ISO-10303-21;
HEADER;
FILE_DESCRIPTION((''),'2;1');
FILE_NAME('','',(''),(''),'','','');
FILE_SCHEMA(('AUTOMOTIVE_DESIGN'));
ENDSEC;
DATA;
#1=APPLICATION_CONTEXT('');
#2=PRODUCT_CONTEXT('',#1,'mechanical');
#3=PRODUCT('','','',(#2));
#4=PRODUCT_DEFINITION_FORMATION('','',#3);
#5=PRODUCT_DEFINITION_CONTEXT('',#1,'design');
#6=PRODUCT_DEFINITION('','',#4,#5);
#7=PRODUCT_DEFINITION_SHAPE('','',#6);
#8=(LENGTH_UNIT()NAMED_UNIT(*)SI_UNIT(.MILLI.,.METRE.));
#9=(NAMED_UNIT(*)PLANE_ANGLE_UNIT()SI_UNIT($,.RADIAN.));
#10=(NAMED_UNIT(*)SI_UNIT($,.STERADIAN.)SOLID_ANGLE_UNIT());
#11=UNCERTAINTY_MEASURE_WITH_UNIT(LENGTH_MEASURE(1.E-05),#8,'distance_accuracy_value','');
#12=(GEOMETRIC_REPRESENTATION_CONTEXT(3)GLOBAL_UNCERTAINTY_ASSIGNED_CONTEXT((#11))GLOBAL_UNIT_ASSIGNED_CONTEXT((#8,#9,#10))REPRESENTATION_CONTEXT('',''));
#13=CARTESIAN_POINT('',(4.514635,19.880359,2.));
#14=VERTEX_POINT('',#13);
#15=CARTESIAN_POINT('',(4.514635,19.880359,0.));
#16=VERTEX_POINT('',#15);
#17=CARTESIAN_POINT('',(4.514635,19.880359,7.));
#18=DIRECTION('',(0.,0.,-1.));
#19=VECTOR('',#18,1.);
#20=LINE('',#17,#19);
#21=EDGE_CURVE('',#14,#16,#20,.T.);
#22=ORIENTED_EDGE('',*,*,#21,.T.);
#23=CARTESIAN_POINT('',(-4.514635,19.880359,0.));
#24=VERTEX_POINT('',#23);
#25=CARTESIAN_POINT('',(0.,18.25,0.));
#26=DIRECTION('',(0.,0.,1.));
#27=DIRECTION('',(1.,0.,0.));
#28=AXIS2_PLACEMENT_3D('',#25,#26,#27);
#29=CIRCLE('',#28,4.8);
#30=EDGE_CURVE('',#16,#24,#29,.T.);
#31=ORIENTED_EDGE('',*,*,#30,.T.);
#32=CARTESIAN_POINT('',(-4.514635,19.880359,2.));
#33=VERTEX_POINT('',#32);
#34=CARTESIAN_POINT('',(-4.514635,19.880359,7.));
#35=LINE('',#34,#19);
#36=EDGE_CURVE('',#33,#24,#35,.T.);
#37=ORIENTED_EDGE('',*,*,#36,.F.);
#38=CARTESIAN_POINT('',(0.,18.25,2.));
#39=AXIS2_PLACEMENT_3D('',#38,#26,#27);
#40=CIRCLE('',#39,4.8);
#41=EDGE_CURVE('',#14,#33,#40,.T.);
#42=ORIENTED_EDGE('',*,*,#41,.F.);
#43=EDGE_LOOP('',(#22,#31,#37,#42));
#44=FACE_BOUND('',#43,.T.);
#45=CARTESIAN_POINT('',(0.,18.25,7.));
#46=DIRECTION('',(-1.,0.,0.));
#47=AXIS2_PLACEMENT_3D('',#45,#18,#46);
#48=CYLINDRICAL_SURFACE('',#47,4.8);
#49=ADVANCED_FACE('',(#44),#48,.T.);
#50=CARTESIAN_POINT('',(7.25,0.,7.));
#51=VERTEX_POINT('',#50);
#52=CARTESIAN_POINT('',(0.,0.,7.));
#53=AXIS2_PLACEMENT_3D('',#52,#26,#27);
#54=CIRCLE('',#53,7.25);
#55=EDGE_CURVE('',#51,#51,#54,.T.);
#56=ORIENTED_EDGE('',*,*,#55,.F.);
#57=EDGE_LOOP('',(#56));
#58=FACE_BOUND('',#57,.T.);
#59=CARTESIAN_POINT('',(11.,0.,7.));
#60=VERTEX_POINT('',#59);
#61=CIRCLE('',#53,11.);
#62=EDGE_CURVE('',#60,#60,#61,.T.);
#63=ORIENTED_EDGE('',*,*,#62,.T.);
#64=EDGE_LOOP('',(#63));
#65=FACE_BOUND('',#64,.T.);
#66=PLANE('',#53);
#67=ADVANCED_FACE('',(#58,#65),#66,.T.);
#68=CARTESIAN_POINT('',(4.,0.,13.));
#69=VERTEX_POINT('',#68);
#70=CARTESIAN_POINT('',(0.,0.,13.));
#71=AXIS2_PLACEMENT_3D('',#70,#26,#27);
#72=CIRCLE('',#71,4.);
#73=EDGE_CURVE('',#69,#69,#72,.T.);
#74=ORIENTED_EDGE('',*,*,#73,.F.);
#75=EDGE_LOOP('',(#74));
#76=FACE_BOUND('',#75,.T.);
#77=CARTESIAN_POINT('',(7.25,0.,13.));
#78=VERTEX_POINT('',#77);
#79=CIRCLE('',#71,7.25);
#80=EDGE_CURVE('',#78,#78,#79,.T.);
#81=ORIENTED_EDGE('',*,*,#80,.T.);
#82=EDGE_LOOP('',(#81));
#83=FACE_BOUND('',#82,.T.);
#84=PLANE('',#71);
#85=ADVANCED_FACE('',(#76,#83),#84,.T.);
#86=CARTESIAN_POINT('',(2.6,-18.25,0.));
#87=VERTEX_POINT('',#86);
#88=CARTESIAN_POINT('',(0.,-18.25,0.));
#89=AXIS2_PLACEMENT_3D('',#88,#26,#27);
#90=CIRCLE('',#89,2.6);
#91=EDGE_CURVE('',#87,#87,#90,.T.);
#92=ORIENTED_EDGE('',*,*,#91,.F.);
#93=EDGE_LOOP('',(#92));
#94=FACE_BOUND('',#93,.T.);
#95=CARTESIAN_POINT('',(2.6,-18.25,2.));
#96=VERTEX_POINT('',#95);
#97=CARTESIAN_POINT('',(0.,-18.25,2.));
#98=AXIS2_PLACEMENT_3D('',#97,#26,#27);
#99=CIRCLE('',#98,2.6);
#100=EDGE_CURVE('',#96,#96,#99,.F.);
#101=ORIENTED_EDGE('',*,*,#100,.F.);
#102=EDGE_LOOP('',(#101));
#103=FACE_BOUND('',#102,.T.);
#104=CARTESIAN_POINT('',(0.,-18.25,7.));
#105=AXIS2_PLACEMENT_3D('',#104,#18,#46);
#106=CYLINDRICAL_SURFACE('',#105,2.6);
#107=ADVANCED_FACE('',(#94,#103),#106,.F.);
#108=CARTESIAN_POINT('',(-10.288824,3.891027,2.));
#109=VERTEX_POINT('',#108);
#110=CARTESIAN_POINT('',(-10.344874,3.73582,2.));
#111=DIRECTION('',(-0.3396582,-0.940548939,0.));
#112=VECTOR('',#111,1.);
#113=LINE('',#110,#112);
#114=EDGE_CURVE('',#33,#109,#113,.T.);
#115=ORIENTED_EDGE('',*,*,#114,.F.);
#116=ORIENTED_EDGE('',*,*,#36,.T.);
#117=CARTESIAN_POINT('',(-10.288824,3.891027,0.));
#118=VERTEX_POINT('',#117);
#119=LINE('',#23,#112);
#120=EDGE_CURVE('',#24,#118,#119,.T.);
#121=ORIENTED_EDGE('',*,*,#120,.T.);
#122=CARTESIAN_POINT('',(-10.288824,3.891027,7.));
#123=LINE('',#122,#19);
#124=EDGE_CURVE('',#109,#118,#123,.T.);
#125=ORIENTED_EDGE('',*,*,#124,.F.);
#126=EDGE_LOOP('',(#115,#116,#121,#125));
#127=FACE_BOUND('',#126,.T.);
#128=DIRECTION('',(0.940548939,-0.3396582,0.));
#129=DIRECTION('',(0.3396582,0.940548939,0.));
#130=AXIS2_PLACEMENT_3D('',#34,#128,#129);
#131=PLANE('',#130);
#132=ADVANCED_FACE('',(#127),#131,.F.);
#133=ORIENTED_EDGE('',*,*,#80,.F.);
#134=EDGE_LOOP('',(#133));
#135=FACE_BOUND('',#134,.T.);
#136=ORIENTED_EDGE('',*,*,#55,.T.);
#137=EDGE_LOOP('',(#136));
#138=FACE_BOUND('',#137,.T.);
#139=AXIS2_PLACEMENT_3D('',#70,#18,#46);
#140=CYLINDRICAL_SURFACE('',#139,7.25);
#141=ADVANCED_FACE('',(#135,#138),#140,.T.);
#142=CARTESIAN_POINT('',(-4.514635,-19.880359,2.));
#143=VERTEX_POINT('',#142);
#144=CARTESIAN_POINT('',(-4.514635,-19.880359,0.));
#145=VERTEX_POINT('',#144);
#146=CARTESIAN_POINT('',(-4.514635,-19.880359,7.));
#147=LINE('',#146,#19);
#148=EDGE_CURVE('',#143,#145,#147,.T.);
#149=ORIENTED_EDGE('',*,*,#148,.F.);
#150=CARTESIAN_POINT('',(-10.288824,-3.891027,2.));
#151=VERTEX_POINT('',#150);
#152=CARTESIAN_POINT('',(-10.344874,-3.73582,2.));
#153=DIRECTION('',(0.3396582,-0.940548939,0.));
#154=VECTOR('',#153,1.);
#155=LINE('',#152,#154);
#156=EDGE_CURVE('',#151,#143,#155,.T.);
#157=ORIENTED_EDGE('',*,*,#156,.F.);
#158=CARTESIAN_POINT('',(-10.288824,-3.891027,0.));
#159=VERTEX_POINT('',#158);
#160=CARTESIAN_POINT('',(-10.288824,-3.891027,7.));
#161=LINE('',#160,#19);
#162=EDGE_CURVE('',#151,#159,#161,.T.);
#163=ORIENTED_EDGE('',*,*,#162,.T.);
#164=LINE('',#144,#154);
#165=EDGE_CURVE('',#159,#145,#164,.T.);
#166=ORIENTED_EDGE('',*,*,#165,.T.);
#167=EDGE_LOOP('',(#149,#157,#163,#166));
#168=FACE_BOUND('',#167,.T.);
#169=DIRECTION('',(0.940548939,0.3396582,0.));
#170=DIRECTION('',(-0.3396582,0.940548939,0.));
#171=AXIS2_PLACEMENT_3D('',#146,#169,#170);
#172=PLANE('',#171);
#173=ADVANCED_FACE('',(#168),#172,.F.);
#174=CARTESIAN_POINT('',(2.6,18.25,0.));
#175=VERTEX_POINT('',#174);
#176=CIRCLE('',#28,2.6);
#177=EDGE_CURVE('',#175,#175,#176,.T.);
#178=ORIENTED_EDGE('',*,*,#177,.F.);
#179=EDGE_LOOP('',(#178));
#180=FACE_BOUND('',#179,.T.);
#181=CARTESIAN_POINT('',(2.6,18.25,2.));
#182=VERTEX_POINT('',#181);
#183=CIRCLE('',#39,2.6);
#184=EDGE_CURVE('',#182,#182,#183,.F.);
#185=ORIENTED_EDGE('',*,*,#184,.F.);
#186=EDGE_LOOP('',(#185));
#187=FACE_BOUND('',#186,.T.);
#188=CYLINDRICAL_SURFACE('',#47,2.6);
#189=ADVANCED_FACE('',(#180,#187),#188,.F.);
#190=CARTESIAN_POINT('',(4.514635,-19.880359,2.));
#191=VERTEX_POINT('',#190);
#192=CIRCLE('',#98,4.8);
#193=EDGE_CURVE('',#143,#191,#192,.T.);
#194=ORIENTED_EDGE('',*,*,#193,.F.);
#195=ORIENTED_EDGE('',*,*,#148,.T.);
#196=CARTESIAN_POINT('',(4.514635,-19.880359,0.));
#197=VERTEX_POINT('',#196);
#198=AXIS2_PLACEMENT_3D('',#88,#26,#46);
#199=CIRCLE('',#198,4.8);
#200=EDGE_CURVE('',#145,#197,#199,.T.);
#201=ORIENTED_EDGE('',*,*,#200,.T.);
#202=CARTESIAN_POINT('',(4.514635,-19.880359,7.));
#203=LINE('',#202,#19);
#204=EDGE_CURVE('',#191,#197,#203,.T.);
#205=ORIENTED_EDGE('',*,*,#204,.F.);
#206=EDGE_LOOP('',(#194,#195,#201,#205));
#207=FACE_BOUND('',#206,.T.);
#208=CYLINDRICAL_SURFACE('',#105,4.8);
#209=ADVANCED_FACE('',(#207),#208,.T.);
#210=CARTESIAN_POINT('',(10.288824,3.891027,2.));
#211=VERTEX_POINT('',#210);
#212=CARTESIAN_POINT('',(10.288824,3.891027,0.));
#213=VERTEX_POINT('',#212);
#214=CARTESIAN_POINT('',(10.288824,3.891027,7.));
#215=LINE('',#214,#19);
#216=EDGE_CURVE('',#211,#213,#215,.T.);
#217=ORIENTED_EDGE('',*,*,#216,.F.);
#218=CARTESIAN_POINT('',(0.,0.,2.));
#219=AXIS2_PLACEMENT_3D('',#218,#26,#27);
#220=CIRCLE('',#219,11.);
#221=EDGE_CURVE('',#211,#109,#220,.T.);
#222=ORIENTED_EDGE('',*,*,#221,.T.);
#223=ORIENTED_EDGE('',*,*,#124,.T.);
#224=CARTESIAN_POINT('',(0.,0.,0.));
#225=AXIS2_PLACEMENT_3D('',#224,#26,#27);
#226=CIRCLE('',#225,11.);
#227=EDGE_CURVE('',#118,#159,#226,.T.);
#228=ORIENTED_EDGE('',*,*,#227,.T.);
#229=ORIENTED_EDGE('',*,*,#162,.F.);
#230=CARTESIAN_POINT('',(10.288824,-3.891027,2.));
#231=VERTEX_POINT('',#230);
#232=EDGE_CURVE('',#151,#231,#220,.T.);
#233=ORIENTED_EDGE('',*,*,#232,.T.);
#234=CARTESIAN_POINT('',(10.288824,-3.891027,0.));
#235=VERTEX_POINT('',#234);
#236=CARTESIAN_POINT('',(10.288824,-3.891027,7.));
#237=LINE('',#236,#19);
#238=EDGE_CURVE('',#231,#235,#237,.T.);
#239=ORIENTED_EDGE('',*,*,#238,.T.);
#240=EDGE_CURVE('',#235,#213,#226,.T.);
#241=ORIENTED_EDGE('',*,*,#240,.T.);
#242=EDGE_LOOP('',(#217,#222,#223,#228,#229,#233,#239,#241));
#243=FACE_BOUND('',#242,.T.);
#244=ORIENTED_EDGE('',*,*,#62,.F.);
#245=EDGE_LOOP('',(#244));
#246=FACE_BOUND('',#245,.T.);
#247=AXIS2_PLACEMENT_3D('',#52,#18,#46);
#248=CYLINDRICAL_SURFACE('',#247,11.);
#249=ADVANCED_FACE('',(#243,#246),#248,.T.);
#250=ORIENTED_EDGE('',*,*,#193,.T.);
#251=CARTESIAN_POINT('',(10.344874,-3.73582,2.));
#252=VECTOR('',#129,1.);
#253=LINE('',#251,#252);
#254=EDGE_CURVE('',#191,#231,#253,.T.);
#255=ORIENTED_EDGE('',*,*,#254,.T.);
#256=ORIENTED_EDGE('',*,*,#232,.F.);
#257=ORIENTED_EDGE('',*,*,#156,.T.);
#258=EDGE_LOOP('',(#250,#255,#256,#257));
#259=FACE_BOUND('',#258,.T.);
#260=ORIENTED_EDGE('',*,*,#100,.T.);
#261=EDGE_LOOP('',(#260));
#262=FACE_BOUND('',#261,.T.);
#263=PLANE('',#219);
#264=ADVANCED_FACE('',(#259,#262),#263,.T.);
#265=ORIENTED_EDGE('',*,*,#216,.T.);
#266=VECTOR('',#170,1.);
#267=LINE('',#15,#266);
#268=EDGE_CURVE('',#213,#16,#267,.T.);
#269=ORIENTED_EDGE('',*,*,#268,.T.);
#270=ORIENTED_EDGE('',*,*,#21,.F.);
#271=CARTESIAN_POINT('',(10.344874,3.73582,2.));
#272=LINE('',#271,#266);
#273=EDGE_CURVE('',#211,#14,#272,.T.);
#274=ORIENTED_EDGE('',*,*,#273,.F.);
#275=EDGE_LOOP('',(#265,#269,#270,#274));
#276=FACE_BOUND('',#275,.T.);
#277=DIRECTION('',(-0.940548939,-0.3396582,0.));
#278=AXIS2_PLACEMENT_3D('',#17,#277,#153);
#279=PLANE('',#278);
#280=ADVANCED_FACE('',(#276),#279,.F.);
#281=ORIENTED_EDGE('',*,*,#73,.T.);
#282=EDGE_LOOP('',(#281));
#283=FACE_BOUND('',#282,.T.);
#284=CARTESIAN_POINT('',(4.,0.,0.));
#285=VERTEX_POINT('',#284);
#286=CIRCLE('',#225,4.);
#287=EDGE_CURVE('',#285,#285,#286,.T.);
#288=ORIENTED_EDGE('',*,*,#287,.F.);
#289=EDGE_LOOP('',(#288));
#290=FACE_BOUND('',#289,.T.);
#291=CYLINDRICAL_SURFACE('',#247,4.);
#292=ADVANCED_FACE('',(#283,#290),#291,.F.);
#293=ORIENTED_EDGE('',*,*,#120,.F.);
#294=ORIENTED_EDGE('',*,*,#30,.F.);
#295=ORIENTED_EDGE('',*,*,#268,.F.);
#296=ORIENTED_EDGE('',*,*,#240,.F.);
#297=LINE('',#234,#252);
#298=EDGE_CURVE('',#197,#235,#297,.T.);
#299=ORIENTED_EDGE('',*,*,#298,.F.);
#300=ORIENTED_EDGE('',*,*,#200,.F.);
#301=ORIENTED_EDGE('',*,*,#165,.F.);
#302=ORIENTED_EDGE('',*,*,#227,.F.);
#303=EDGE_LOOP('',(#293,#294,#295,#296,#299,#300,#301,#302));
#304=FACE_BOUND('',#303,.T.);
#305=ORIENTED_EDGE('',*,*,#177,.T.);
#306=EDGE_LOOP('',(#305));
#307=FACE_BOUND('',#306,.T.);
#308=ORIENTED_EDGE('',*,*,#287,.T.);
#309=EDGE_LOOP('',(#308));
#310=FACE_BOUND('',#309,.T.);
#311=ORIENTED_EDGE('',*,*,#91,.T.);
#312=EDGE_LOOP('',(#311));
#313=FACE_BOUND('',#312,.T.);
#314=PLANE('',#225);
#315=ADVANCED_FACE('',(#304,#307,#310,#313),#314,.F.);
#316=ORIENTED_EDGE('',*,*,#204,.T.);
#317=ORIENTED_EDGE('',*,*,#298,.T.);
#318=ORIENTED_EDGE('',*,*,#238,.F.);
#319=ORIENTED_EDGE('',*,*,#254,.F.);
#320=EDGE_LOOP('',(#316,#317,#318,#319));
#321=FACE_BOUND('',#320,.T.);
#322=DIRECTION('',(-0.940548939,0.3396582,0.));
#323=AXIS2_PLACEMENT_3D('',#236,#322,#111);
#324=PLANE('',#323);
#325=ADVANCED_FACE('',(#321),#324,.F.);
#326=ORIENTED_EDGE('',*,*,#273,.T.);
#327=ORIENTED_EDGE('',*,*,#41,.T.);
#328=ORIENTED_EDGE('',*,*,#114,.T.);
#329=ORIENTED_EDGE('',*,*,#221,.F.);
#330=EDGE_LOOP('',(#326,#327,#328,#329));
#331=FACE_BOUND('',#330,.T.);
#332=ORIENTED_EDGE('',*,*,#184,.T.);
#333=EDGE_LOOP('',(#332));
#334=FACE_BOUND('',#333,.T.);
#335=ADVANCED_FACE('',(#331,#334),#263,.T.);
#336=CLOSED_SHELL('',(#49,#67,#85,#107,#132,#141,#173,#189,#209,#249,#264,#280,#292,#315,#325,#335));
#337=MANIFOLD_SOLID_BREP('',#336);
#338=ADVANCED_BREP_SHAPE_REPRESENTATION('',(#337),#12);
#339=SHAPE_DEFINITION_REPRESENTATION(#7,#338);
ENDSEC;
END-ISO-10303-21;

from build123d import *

# Parameters (mm, degrees)
CROQUIS1_R              = 4
CROQUIS1_R_2            = 2.6
SALIENTE_EXTRUIR1_DEPTH = 7
CROQUIS2_R              = 2.6
CORTAR_EXTRUIR1_DEPTH   = 5
CROQUIS3_R              = 7.25
CROQUIS3_R_2            = 4
SALIENTE_EXTRUIR2_DEPTH = 6


with BuildPart() as part:
    # Croquis1 → Saliente-Extruir1 (new body)
    with BuildSketch(Plane.XY):
        with BuildLine():
            Line((10.288824315, -3.891027397), (4.514634908, -19.880359362))
            ThreePointArc((4.514634908, -19.880359362), (0, -23.05), (-4.514634908, -19.880359362))
            Line((-4.514634908, -19.880359362), (-10.288824315, -3.891027397))
            ThreePointArc((-10.288824315, -3.891027397), (-11, 0), (-10.288824315, 3.891027397))
            Line((-10.288824315, 3.891027397), (-4.514634908, 19.880359362))
            ThreePointArc((-4.514634908, 19.880359362), (0, 23.05), (4.514634908, 19.880359362))
            Line((4.514634908, 19.880359362), (10.288824315, 3.891027397))
            ThreePointArc((10.288824315, 3.891027397), (11, 0), (10.288824315, -3.891027397))
        make_face()
        Circle(CROQUIS1_R, mode=Mode.SUBTRACT)
        with Locations((0, 18.25)):
            Circle(CROQUIS1_R_2, mode=Mode.SUBTRACT)
        with Locations((0, -18.25)):
            Circle(CROQUIS1_R_2, mode=Mode.SUBTRACT)
    extrude(amount=SALIENTE_EXTRUIR1_DEPTH)

    # Croquis2 → Cortar-Extruir1 (cut)
    with BuildSketch(Plane.XY.offset(7)):
        with BuildLine():
            Line((-4.514634908, 19.880359362), (-10.288824315, 3.891027397))
            ThreePointArc((-10.288824315, 3.891027397), (0, 11), (10.288824315, 3.891027397))
            Line((10.288824315, 3.891027397), (4.514634908, 19.880359362))
            ThreePointArc((4.514634908, 19.880359362), (0, 23.05), (-4.514634908, 19.880359362))
        make_face()
        with Locations((0, 18.25)):
            Circle(CROQUIS2_R, mode=Mode.SUBTRACT)
        with BuildLine():
            ThreePointArc((10.288824315, -3.891027397), (0, -11), (-10.288824315, -3.891027397))
            Line((-10.288824315, -3.891027397), (-4.514634908, -19.880359362))
            ThreePointArc((-4.514634908, -19.880359362), (0, -23.05), (4.514634908, -19.880359362))
            Line((4.514634908, -19.880359362), (10.288824315, -3.891027397))
        make_face()
        with Locations((0, -18.25)):
            Circle(CROQUIS2_R, mode=Mode.SUBTRACT)
    extrude(amount=-CORTAR_EXTRUIR1_DEPTH, mode=Mode.SUBTRACT)

    # Croquis3 → Saliente-Extruir2 (add)
    with BuildSketch(Plane.XY.offset(7)):
        Circle(CROQUIS3_R)
        Circle(CROQUIS3_R_2, mode=Mode.SUBTRACT)
    extrude(amount=SALIENTE_EXTRUIR2_DEPTH)


solid = part.part
